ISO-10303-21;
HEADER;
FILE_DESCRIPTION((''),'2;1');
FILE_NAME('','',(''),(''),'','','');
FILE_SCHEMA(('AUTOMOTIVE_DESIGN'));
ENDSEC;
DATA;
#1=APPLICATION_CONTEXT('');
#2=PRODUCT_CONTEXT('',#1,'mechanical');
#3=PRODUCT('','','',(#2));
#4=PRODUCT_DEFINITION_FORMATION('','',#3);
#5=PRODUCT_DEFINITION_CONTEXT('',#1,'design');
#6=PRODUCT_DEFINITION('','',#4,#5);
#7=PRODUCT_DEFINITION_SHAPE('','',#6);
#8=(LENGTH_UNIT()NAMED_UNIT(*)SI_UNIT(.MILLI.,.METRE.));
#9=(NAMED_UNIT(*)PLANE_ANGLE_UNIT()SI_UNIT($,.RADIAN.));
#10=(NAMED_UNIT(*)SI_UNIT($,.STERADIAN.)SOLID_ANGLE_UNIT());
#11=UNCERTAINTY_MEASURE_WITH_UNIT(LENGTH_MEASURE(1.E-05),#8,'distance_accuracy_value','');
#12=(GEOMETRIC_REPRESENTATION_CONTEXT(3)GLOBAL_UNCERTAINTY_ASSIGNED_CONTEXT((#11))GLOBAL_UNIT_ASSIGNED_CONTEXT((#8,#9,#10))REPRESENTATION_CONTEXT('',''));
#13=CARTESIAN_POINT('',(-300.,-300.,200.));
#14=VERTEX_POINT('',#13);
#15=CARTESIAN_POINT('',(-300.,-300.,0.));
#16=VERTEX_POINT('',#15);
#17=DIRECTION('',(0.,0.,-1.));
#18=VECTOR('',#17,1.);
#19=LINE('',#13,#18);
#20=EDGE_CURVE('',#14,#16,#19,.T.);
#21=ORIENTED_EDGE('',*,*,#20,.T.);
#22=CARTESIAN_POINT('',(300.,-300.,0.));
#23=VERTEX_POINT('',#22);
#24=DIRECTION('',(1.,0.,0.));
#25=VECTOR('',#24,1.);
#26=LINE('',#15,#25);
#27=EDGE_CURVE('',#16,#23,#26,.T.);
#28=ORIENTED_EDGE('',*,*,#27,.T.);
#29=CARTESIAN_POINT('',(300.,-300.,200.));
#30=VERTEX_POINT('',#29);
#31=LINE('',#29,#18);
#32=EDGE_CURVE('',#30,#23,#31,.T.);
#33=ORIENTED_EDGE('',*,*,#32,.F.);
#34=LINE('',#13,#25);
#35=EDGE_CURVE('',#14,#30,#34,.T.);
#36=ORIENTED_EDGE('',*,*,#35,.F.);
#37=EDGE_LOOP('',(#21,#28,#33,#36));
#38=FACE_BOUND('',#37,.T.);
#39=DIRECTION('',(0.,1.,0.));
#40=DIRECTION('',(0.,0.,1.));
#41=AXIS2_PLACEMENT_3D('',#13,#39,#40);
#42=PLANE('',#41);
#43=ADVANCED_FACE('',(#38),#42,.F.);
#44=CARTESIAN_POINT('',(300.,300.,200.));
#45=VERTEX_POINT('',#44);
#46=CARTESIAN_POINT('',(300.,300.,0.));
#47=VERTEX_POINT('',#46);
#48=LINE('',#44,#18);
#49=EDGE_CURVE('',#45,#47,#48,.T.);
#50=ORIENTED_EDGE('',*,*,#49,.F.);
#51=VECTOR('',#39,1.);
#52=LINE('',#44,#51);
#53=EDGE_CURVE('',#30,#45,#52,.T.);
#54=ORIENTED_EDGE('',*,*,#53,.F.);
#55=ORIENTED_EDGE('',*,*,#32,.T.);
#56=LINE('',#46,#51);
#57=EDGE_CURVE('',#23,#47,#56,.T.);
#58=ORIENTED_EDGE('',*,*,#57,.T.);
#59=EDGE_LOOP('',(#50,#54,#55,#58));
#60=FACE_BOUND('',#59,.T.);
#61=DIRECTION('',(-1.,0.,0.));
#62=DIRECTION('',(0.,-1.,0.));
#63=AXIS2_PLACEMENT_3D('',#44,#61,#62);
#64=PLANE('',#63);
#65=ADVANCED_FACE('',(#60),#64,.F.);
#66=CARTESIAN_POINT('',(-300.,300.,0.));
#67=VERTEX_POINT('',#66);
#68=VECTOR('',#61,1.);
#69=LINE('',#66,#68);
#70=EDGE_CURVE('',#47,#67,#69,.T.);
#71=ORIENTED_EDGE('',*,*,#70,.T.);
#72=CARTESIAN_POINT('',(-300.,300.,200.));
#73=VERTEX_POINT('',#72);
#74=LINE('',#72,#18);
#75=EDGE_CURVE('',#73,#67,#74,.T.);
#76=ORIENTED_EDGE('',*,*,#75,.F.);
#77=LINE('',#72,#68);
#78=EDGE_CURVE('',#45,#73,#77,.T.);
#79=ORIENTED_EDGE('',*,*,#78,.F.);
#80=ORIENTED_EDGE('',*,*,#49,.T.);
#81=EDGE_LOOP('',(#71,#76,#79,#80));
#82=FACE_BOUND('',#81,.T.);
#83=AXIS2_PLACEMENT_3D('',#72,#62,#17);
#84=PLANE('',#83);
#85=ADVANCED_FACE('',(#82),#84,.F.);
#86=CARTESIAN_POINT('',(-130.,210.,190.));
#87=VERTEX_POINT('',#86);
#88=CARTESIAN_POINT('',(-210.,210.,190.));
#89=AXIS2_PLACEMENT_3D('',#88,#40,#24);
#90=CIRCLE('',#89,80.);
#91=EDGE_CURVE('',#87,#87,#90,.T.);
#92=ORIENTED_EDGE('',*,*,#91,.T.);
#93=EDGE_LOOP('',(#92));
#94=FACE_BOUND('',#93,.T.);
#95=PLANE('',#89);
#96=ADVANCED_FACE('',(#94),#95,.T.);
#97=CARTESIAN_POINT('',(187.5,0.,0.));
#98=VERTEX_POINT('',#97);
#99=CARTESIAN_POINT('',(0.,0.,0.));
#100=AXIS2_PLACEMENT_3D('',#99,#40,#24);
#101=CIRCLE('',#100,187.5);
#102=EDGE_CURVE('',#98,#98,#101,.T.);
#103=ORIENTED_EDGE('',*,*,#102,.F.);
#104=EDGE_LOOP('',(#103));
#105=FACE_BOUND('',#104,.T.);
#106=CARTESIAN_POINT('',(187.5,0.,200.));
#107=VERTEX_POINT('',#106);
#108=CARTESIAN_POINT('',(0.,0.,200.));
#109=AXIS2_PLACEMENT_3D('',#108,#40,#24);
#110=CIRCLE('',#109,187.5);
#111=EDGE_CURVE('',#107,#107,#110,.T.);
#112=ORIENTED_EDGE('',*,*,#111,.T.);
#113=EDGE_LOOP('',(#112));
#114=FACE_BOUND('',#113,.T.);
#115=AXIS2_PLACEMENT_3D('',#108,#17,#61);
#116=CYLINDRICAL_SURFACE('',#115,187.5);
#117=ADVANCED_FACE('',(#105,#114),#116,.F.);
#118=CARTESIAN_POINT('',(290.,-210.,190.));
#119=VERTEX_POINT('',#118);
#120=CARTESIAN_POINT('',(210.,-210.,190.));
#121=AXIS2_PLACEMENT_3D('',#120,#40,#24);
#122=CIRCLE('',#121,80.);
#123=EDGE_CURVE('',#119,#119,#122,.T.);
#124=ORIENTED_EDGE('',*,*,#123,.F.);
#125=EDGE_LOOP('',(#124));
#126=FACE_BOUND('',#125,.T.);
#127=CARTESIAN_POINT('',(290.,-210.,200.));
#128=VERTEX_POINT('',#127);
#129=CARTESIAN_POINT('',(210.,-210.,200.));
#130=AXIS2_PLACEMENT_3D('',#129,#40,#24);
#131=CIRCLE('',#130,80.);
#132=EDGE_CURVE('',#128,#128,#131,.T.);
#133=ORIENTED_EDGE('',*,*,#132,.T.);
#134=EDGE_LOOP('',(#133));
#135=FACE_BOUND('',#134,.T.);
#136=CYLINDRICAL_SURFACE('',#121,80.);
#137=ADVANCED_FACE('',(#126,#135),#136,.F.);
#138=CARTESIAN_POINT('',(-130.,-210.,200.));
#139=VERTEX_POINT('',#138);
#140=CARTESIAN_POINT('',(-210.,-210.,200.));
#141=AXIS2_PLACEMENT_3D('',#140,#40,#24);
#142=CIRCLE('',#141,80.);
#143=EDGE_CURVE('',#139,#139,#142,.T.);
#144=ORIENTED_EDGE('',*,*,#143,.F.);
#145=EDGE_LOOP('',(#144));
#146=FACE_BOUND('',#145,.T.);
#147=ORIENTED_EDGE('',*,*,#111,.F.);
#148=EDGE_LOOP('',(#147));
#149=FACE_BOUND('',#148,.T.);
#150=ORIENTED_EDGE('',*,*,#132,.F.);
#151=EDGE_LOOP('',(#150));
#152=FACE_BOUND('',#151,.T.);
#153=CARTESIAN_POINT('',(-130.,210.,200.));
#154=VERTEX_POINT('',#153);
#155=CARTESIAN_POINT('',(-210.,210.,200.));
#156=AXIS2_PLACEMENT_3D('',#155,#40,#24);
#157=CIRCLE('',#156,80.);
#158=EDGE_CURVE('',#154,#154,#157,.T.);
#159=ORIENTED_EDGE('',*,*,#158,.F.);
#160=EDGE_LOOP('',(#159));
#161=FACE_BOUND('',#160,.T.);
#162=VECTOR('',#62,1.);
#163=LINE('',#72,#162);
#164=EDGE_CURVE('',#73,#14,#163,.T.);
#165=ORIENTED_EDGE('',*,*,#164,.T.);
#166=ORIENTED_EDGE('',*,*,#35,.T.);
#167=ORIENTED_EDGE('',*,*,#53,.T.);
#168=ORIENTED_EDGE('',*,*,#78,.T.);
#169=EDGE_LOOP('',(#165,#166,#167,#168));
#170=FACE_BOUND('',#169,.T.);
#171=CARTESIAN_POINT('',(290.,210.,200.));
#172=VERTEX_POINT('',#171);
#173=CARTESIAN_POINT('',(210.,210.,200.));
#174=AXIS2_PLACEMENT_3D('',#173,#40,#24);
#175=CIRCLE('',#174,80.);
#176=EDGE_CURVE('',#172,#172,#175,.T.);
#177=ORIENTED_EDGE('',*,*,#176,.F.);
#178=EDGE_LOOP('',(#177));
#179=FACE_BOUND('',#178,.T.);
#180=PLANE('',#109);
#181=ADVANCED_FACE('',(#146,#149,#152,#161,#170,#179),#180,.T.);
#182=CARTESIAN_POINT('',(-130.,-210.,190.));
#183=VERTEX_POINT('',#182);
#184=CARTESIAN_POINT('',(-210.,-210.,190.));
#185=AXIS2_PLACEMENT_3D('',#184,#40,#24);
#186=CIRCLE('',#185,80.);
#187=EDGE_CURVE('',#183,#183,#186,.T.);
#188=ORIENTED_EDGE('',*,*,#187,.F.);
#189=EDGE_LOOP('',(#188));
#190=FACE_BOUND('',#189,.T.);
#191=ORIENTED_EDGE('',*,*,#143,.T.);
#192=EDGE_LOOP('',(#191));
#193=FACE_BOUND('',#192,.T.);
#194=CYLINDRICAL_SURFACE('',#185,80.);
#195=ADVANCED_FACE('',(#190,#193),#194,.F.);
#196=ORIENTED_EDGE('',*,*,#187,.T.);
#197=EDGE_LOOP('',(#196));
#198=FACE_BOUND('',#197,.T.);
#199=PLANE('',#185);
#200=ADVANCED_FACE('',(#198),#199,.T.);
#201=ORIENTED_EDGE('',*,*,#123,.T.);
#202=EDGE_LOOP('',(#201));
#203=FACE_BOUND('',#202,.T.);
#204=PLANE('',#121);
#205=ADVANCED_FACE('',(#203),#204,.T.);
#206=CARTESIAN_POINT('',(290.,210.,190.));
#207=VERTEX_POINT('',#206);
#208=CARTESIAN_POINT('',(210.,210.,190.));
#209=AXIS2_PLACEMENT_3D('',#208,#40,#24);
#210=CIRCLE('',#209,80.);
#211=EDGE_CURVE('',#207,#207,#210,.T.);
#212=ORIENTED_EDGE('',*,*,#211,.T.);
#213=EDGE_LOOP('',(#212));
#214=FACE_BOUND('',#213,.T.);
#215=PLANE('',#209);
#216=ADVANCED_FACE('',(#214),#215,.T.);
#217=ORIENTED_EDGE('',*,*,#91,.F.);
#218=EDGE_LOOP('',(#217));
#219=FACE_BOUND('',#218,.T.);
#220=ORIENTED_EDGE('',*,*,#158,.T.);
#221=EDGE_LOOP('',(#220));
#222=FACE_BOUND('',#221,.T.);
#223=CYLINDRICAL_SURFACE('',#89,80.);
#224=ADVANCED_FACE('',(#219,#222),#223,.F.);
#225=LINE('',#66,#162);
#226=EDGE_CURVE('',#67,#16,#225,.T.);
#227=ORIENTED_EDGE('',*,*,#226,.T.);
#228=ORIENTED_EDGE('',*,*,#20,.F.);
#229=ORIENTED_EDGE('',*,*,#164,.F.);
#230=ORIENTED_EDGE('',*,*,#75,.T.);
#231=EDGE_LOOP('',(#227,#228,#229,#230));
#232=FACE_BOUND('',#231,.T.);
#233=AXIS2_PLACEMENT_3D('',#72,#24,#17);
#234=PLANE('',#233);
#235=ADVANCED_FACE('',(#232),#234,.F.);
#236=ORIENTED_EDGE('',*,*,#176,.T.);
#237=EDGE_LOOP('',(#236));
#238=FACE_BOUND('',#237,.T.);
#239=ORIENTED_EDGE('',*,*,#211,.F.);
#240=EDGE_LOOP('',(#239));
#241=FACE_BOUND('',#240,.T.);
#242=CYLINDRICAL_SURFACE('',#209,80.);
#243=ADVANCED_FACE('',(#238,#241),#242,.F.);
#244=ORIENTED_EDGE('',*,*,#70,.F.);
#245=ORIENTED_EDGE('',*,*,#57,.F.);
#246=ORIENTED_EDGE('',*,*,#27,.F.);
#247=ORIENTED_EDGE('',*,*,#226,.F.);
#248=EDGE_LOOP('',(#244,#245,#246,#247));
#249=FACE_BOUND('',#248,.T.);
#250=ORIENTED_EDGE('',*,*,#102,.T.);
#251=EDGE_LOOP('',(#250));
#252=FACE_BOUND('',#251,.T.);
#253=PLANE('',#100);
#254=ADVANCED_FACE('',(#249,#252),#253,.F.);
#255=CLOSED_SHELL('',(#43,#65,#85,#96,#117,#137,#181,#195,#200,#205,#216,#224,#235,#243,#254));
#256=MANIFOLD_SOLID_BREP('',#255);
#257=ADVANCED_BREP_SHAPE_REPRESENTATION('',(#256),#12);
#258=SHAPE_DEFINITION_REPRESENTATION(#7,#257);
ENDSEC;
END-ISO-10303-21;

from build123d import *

# Parameters (mm, degrees)
CROQUIS1_W              = 600
CROQUIS1_H              = 600
CROQUIS1_R              = 187.5
SALIENTE_EXTRUIR1_DEPTH = 200
CROQUIS2_R              = 80
CORTAR_EXTRUIR1_DEPTH   = 10


with BuildPart() as part:
    # Croquis1 → Saliente-Extruir1 (new body)
    with BuildSketch(Plane.XY):
        Rectangle(CROQUIS1_W, CROQUIS1_H)
        Circle(CROQUIS1_R, mode=Mode.SUBTRACT)
    extrude(amount=SALIENTE_EXTRUIR1_DEPTH)

    # Croquis2 → Cortar-Extruir1 (cut)
    with BuildSketch(Plane.XY.offset(200)):
        with Locations((-210, 210)):
            Circle(CROQUIS2_R)
        with Locations((210, 210)):
            Circle(CROQUIS2_R)
        with Locations((210, -210)):
            Circle(CROQUIS2_R)
        with Locations((-210, -210)):
            Circle(CROQUIS2_R)
    extrude(amount=-CORTAR_EXTRUIR1_DEPTH, mode=Mode.SUBTRACT)


solid = part.part
